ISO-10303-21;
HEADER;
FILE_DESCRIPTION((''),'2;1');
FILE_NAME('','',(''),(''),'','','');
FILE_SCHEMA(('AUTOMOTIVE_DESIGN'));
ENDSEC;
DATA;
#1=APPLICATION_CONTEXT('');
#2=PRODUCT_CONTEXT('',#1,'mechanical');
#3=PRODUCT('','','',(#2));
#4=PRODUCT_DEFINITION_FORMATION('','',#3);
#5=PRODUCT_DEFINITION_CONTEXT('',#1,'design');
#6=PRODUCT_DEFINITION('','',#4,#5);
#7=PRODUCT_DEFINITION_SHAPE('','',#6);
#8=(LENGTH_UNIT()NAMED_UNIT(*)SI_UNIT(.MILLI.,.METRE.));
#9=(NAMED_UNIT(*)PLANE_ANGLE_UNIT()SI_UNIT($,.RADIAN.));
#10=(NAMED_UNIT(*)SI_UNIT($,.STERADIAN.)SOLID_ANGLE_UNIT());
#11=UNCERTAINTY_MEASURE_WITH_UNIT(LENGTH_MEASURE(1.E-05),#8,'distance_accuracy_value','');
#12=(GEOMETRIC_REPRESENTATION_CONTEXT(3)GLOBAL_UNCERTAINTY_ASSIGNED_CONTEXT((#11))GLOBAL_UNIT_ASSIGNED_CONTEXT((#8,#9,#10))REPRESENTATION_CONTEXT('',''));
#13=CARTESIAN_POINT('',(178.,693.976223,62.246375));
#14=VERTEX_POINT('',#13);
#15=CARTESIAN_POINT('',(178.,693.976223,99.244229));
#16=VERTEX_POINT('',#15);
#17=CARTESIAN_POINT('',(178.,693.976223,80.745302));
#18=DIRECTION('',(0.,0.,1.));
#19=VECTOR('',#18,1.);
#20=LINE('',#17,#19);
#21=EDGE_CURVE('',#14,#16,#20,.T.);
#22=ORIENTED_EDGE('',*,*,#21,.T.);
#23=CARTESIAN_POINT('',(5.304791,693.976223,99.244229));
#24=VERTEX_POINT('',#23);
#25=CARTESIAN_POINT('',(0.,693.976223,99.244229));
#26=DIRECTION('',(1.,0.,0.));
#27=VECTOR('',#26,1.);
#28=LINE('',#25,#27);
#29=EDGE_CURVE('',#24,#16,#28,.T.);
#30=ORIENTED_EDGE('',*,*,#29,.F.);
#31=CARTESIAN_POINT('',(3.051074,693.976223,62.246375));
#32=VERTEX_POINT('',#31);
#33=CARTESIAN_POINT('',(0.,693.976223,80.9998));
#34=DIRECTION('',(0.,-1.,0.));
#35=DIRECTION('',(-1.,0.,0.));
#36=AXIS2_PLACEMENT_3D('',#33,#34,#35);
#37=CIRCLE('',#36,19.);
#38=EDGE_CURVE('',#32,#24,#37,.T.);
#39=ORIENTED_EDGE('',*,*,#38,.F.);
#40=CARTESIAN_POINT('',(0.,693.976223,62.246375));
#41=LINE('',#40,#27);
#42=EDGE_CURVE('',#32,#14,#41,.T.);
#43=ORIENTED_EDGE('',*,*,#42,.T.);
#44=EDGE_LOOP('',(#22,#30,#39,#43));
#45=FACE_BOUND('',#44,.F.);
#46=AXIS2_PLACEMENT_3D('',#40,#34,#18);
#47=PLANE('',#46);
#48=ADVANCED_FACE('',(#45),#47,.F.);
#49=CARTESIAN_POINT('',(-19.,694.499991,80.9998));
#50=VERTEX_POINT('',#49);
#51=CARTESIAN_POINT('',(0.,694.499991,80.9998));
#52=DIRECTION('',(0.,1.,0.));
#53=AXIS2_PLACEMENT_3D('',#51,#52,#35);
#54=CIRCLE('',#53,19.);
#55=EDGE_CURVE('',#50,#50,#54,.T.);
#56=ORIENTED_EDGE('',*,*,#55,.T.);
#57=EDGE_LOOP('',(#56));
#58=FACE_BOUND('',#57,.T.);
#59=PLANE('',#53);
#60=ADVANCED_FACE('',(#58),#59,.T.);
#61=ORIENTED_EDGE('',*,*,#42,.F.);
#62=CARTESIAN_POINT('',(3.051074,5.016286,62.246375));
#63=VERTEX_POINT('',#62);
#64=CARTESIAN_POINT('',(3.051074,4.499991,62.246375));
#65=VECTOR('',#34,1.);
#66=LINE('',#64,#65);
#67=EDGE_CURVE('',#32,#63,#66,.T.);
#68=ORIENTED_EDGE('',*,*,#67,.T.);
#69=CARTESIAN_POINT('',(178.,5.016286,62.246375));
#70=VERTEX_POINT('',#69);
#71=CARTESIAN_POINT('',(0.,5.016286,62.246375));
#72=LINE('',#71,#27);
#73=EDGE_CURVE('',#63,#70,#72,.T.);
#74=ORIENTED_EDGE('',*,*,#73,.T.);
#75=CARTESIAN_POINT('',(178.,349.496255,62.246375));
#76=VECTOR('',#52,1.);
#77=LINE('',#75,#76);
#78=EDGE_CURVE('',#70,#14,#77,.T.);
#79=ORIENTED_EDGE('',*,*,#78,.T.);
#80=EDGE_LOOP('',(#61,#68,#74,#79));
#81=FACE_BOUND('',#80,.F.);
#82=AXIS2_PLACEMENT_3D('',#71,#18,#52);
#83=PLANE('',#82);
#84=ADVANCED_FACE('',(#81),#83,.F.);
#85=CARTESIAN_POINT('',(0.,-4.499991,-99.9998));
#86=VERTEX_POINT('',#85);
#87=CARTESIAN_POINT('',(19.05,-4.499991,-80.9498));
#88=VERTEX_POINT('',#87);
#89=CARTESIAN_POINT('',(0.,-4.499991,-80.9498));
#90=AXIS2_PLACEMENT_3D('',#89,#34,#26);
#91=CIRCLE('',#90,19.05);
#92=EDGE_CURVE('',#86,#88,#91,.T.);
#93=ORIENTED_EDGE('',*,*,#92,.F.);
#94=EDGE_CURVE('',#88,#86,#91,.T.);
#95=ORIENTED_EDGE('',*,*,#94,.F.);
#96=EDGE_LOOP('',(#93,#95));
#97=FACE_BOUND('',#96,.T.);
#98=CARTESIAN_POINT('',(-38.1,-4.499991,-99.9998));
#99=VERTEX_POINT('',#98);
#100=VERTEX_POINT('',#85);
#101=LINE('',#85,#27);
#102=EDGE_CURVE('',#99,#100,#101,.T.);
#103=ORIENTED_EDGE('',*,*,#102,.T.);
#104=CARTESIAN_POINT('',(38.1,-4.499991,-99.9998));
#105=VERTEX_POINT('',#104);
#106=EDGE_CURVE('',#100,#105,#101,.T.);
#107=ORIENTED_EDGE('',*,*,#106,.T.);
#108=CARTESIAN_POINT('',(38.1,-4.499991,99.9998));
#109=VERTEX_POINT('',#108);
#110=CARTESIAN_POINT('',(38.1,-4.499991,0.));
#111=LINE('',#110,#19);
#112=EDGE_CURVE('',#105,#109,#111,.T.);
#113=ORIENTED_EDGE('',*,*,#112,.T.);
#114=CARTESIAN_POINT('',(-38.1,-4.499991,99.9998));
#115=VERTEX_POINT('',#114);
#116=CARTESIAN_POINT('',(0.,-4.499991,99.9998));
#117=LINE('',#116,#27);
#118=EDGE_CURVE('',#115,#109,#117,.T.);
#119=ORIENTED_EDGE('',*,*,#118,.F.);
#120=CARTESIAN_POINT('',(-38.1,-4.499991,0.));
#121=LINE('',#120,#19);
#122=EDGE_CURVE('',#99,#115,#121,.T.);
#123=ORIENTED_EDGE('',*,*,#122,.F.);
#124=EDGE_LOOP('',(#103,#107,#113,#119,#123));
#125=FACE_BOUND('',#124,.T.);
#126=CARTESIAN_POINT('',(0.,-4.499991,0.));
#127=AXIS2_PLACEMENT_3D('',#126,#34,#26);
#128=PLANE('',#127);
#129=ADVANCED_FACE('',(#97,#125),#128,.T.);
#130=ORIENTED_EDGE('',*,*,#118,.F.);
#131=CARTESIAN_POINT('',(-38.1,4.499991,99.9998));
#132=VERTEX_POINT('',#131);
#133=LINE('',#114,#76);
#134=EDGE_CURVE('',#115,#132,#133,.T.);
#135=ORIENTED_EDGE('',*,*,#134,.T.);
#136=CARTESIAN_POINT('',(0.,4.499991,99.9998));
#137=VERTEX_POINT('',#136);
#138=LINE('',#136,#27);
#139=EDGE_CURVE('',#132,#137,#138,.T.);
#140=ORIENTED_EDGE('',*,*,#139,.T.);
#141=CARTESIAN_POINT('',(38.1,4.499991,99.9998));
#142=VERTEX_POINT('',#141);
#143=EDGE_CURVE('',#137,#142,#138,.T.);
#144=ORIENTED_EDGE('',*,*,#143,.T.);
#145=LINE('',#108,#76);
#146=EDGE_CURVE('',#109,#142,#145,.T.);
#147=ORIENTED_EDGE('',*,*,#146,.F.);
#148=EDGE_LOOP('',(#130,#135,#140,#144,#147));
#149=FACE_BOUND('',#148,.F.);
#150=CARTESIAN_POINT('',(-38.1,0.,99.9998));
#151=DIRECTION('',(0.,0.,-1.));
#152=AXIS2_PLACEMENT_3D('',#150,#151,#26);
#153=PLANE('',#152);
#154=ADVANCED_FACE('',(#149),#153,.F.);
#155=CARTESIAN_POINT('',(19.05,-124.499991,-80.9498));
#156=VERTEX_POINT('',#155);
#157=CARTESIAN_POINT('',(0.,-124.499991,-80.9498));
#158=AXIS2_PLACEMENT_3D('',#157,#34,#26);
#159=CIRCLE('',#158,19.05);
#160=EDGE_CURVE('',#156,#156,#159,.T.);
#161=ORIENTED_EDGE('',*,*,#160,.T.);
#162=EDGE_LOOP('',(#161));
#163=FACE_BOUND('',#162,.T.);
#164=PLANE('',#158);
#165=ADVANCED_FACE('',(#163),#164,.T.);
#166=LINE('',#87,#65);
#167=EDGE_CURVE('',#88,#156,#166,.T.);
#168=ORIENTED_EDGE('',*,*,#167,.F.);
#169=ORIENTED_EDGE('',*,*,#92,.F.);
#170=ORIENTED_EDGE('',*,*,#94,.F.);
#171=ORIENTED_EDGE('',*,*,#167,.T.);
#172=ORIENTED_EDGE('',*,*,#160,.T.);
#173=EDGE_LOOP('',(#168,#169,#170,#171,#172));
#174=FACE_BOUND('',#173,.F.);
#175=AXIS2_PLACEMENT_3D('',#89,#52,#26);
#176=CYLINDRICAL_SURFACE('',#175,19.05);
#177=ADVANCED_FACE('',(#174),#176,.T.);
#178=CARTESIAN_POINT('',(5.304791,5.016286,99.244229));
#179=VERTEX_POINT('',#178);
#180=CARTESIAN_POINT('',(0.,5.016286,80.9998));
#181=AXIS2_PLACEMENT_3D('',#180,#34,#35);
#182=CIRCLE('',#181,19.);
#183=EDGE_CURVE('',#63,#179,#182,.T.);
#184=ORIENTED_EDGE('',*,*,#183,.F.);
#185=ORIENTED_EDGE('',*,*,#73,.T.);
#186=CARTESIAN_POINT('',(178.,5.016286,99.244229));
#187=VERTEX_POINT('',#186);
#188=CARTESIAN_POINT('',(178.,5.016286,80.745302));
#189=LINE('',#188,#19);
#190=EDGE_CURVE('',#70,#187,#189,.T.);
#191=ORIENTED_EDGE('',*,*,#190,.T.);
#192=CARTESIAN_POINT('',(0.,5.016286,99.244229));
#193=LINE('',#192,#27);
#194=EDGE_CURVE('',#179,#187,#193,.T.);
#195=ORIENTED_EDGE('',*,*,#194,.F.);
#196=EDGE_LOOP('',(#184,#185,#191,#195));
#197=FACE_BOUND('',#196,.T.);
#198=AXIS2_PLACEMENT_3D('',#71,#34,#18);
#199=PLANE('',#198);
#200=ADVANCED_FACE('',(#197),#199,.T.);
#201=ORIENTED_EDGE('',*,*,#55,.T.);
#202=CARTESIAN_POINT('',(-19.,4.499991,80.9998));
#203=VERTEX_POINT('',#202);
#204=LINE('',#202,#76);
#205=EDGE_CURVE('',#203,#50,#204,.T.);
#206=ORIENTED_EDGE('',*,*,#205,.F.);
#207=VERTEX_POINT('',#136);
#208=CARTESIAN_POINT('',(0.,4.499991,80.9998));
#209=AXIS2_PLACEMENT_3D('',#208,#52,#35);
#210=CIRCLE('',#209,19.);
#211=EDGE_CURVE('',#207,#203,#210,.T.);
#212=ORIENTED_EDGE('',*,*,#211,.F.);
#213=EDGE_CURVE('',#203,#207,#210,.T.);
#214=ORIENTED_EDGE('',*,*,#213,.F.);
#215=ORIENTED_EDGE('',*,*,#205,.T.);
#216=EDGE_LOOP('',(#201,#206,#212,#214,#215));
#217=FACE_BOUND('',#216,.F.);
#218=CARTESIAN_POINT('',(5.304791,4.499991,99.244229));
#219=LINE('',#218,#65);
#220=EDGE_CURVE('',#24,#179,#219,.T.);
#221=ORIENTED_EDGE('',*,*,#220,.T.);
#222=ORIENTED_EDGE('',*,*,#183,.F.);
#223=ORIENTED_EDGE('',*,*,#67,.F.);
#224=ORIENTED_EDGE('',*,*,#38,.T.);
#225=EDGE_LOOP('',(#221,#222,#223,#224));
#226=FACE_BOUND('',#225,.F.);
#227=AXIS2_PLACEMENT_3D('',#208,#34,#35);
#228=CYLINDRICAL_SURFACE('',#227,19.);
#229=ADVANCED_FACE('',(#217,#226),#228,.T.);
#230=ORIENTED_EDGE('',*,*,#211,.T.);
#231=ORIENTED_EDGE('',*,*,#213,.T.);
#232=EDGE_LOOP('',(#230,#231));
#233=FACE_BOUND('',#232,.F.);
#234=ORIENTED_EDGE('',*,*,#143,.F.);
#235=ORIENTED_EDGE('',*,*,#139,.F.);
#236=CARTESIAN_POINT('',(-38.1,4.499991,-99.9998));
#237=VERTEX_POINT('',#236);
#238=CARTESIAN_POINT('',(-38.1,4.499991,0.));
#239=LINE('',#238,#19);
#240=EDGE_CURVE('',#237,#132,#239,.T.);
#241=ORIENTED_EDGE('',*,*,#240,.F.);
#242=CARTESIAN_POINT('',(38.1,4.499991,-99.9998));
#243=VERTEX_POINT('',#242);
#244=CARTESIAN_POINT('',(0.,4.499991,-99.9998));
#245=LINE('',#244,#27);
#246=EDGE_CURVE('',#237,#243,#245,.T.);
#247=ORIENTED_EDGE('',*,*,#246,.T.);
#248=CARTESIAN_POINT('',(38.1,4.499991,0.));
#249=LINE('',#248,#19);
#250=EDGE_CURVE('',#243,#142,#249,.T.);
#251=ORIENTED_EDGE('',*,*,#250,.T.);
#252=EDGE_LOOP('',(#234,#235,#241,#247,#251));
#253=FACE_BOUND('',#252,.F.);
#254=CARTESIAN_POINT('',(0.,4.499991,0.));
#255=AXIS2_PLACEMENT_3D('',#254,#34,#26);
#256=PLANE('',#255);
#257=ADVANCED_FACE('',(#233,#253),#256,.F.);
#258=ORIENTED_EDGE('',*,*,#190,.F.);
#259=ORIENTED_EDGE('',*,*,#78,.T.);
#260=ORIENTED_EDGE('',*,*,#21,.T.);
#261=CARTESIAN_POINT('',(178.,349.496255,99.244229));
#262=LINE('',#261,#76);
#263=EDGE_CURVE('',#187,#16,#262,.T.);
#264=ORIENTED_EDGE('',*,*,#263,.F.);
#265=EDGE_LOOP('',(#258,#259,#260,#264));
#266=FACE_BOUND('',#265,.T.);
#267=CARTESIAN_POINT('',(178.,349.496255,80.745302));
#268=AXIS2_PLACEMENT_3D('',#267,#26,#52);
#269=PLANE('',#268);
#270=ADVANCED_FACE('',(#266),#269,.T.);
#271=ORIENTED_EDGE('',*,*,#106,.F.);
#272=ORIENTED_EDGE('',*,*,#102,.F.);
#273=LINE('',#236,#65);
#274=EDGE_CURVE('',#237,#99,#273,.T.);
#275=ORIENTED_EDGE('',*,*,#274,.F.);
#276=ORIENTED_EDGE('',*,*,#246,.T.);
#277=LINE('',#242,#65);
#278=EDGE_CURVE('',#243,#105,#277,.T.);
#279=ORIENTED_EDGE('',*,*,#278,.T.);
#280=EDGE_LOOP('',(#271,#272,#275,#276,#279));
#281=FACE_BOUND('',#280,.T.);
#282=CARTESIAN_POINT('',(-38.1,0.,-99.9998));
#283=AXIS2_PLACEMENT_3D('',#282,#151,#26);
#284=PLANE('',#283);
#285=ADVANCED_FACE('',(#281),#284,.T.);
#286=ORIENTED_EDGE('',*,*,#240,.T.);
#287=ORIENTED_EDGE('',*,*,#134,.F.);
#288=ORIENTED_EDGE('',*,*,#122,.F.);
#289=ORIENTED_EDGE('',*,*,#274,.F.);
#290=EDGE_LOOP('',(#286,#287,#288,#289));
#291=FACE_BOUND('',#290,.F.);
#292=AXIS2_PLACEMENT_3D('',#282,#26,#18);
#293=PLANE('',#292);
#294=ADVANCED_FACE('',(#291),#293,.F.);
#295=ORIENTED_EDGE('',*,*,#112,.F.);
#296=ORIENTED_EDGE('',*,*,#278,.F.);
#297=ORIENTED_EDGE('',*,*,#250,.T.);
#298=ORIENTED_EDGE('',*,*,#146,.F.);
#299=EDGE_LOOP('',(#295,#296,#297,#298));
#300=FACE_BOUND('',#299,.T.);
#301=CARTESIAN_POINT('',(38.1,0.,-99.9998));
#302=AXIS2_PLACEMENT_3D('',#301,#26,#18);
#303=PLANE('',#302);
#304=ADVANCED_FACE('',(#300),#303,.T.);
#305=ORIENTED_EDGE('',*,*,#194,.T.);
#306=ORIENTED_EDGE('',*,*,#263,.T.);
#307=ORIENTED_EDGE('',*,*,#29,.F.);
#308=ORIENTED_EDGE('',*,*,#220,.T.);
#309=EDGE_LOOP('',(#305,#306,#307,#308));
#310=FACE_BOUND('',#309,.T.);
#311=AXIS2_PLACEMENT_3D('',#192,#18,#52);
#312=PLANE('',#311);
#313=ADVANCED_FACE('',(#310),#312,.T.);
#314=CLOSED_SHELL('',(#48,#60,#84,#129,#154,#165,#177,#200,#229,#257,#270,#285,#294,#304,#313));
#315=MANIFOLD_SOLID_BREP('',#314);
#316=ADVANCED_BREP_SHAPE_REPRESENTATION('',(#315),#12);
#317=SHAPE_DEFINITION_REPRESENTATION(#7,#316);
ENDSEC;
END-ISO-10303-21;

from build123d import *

# Parameters (mm, degrees)
F0_W     = 76.2
F0_H     = 199.9996
F1_DEPTH = 4.499991
F2_R     = 19.05
F3_DEPTH = 120
F4_R     = 19
F5_DEPTH = 690
F6_W     = 688.959937
F6_H     = 36.997854
F7_DEPTH = 178


with BuildPart() as f1:
    # F0 (on Front) → F1 (new body, symmetric)
    with BuildSketch(Plane.XZ):
        Rectangle(F0_W, F0_H)
    extrude(amount=F1_DEPTH, both=True)

    # F2 (on face) → F3 (join)
    with BuildSketch(Plane.XZ.offset(4.499991)):
        with Locations((0, -80.9498)):
            Circle(F2_R)
    extrude(amount=F3_DEPTH)

    # F4 (on face) → F5 (join)
    with BuildSketch(Plane(origin=(0, 4.499991, 0), x_dir=(-1, 0, 0), z_dir=(0, 1, 0))):
        with Locations((0, 80.9998)):
            Circle(F4_R)
    extrude(amount=F5_DEPTH)

    # F6 (on Right) → F7 (join)
    with BuildSketch(Plane.YZ):
        with Locations((349.496255, 80.745302)):
            Rectangle(F6_W, F6_H)
    extrude(amount=F7_DEPTH)


solid = f1.part
